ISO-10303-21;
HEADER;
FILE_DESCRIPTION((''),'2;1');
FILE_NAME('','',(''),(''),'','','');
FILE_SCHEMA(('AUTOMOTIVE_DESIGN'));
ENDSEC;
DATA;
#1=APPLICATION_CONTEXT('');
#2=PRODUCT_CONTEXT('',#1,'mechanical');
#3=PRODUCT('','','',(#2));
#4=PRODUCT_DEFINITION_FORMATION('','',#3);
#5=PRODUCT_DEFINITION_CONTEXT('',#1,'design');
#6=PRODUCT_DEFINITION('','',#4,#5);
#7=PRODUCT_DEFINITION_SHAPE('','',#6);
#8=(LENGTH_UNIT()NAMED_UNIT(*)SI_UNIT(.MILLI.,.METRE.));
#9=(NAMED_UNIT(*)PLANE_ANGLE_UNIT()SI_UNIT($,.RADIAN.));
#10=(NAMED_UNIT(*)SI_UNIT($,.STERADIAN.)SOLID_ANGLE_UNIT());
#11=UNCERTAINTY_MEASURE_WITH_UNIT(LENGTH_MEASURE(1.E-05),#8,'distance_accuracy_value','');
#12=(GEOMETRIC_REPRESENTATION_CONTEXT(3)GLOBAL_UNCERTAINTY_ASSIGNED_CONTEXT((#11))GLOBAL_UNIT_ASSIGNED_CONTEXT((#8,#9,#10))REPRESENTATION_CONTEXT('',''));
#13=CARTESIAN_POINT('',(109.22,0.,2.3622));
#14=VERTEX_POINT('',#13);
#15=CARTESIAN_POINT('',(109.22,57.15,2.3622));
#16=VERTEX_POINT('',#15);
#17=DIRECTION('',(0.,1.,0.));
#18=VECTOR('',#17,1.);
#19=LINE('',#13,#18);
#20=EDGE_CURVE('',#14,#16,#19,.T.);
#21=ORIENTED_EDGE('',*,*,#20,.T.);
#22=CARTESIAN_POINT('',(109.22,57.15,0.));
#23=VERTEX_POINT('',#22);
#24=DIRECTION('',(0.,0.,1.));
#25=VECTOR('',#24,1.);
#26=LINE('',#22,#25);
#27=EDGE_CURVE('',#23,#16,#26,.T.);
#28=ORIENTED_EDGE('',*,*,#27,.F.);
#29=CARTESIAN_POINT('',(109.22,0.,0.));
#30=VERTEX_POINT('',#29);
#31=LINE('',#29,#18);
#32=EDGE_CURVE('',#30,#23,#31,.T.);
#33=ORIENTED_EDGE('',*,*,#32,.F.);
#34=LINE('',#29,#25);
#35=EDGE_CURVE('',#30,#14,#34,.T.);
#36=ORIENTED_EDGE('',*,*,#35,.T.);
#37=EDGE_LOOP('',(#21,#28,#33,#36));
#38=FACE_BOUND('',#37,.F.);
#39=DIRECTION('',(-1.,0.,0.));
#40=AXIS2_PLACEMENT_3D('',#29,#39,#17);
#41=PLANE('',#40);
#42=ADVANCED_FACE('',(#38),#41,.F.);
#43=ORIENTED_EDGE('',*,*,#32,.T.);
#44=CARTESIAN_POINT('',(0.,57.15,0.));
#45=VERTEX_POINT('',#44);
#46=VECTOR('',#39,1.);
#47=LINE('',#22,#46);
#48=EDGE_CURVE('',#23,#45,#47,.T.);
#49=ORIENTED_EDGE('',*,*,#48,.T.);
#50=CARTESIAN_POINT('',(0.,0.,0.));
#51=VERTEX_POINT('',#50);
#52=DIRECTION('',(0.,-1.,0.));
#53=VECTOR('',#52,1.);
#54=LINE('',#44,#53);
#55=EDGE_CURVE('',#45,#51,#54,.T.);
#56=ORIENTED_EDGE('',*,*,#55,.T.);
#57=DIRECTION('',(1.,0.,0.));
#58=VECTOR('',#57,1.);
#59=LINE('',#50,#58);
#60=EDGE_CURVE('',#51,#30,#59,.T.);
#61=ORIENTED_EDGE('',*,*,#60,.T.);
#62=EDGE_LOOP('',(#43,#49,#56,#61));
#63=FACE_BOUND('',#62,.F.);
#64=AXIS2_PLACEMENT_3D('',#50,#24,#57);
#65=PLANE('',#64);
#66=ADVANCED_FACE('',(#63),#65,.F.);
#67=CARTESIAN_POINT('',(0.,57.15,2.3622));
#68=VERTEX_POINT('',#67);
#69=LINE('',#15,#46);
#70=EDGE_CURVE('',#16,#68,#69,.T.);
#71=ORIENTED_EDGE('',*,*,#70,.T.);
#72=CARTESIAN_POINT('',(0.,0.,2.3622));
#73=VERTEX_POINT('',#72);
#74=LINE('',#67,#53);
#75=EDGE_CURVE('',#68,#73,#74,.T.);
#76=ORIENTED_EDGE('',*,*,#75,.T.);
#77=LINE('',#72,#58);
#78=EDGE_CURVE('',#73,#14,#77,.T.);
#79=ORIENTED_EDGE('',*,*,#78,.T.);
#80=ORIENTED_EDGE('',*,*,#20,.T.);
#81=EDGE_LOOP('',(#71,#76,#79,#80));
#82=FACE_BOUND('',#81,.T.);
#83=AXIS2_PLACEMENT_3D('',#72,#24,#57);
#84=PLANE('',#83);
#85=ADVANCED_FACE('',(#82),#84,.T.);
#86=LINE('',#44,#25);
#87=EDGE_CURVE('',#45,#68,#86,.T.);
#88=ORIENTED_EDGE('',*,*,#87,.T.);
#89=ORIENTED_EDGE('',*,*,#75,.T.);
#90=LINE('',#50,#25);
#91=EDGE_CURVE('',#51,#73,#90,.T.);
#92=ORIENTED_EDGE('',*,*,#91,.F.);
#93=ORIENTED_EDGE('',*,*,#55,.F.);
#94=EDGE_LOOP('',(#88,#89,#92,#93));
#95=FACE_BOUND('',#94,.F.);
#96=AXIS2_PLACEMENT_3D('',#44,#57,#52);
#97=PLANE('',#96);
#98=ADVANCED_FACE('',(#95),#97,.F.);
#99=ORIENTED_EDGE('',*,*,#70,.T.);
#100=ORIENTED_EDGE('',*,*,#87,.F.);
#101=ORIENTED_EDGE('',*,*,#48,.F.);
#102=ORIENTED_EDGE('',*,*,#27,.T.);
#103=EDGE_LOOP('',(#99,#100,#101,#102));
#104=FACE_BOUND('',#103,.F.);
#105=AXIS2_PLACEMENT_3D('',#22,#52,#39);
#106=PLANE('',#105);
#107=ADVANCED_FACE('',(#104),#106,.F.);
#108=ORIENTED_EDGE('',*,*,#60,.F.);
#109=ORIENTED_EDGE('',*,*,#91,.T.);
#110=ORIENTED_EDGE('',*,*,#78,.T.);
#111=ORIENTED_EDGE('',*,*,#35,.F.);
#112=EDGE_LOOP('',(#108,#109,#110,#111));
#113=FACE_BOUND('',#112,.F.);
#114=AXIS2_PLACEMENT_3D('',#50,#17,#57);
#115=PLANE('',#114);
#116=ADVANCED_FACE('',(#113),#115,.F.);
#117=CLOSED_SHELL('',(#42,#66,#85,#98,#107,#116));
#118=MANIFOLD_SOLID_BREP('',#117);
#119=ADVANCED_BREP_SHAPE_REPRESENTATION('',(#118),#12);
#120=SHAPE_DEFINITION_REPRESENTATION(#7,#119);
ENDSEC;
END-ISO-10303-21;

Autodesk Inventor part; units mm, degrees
ref_plane "YZ Plane" through (0, 0, 0) normal (1, 0, 0) x (0, 1, 0)
ref_plane "XZ Plane" through (0, 0, 0) normal (0, 1, 0) x (-1, 0, 0)
ref_plane "XY Plane" through (0, 0, 0) normal (0, 0, 1) x (1, 0, 0)
sketch "Sketch1" plane through (0, 0, 0) normal (0, 0, 1) x (1, 0, 0)
  line L0 (0, 0) -> (109.22, 0)
  line L1 (109.22, 0) -> (109.22, 57.15)
  line L2 (109.22, 57.15) -> (0, 57.15)
  line L3 (0, 57.15) -> (0, 0)
  dimension "d0" = 109.22
  dimension "d2" = 57.15
extrude "Extrusion1" add sketch "Sketch1" along normal blind 2.3622
properties part number "Plate_Front_Poly" material "Polycarbonate, Clear"
